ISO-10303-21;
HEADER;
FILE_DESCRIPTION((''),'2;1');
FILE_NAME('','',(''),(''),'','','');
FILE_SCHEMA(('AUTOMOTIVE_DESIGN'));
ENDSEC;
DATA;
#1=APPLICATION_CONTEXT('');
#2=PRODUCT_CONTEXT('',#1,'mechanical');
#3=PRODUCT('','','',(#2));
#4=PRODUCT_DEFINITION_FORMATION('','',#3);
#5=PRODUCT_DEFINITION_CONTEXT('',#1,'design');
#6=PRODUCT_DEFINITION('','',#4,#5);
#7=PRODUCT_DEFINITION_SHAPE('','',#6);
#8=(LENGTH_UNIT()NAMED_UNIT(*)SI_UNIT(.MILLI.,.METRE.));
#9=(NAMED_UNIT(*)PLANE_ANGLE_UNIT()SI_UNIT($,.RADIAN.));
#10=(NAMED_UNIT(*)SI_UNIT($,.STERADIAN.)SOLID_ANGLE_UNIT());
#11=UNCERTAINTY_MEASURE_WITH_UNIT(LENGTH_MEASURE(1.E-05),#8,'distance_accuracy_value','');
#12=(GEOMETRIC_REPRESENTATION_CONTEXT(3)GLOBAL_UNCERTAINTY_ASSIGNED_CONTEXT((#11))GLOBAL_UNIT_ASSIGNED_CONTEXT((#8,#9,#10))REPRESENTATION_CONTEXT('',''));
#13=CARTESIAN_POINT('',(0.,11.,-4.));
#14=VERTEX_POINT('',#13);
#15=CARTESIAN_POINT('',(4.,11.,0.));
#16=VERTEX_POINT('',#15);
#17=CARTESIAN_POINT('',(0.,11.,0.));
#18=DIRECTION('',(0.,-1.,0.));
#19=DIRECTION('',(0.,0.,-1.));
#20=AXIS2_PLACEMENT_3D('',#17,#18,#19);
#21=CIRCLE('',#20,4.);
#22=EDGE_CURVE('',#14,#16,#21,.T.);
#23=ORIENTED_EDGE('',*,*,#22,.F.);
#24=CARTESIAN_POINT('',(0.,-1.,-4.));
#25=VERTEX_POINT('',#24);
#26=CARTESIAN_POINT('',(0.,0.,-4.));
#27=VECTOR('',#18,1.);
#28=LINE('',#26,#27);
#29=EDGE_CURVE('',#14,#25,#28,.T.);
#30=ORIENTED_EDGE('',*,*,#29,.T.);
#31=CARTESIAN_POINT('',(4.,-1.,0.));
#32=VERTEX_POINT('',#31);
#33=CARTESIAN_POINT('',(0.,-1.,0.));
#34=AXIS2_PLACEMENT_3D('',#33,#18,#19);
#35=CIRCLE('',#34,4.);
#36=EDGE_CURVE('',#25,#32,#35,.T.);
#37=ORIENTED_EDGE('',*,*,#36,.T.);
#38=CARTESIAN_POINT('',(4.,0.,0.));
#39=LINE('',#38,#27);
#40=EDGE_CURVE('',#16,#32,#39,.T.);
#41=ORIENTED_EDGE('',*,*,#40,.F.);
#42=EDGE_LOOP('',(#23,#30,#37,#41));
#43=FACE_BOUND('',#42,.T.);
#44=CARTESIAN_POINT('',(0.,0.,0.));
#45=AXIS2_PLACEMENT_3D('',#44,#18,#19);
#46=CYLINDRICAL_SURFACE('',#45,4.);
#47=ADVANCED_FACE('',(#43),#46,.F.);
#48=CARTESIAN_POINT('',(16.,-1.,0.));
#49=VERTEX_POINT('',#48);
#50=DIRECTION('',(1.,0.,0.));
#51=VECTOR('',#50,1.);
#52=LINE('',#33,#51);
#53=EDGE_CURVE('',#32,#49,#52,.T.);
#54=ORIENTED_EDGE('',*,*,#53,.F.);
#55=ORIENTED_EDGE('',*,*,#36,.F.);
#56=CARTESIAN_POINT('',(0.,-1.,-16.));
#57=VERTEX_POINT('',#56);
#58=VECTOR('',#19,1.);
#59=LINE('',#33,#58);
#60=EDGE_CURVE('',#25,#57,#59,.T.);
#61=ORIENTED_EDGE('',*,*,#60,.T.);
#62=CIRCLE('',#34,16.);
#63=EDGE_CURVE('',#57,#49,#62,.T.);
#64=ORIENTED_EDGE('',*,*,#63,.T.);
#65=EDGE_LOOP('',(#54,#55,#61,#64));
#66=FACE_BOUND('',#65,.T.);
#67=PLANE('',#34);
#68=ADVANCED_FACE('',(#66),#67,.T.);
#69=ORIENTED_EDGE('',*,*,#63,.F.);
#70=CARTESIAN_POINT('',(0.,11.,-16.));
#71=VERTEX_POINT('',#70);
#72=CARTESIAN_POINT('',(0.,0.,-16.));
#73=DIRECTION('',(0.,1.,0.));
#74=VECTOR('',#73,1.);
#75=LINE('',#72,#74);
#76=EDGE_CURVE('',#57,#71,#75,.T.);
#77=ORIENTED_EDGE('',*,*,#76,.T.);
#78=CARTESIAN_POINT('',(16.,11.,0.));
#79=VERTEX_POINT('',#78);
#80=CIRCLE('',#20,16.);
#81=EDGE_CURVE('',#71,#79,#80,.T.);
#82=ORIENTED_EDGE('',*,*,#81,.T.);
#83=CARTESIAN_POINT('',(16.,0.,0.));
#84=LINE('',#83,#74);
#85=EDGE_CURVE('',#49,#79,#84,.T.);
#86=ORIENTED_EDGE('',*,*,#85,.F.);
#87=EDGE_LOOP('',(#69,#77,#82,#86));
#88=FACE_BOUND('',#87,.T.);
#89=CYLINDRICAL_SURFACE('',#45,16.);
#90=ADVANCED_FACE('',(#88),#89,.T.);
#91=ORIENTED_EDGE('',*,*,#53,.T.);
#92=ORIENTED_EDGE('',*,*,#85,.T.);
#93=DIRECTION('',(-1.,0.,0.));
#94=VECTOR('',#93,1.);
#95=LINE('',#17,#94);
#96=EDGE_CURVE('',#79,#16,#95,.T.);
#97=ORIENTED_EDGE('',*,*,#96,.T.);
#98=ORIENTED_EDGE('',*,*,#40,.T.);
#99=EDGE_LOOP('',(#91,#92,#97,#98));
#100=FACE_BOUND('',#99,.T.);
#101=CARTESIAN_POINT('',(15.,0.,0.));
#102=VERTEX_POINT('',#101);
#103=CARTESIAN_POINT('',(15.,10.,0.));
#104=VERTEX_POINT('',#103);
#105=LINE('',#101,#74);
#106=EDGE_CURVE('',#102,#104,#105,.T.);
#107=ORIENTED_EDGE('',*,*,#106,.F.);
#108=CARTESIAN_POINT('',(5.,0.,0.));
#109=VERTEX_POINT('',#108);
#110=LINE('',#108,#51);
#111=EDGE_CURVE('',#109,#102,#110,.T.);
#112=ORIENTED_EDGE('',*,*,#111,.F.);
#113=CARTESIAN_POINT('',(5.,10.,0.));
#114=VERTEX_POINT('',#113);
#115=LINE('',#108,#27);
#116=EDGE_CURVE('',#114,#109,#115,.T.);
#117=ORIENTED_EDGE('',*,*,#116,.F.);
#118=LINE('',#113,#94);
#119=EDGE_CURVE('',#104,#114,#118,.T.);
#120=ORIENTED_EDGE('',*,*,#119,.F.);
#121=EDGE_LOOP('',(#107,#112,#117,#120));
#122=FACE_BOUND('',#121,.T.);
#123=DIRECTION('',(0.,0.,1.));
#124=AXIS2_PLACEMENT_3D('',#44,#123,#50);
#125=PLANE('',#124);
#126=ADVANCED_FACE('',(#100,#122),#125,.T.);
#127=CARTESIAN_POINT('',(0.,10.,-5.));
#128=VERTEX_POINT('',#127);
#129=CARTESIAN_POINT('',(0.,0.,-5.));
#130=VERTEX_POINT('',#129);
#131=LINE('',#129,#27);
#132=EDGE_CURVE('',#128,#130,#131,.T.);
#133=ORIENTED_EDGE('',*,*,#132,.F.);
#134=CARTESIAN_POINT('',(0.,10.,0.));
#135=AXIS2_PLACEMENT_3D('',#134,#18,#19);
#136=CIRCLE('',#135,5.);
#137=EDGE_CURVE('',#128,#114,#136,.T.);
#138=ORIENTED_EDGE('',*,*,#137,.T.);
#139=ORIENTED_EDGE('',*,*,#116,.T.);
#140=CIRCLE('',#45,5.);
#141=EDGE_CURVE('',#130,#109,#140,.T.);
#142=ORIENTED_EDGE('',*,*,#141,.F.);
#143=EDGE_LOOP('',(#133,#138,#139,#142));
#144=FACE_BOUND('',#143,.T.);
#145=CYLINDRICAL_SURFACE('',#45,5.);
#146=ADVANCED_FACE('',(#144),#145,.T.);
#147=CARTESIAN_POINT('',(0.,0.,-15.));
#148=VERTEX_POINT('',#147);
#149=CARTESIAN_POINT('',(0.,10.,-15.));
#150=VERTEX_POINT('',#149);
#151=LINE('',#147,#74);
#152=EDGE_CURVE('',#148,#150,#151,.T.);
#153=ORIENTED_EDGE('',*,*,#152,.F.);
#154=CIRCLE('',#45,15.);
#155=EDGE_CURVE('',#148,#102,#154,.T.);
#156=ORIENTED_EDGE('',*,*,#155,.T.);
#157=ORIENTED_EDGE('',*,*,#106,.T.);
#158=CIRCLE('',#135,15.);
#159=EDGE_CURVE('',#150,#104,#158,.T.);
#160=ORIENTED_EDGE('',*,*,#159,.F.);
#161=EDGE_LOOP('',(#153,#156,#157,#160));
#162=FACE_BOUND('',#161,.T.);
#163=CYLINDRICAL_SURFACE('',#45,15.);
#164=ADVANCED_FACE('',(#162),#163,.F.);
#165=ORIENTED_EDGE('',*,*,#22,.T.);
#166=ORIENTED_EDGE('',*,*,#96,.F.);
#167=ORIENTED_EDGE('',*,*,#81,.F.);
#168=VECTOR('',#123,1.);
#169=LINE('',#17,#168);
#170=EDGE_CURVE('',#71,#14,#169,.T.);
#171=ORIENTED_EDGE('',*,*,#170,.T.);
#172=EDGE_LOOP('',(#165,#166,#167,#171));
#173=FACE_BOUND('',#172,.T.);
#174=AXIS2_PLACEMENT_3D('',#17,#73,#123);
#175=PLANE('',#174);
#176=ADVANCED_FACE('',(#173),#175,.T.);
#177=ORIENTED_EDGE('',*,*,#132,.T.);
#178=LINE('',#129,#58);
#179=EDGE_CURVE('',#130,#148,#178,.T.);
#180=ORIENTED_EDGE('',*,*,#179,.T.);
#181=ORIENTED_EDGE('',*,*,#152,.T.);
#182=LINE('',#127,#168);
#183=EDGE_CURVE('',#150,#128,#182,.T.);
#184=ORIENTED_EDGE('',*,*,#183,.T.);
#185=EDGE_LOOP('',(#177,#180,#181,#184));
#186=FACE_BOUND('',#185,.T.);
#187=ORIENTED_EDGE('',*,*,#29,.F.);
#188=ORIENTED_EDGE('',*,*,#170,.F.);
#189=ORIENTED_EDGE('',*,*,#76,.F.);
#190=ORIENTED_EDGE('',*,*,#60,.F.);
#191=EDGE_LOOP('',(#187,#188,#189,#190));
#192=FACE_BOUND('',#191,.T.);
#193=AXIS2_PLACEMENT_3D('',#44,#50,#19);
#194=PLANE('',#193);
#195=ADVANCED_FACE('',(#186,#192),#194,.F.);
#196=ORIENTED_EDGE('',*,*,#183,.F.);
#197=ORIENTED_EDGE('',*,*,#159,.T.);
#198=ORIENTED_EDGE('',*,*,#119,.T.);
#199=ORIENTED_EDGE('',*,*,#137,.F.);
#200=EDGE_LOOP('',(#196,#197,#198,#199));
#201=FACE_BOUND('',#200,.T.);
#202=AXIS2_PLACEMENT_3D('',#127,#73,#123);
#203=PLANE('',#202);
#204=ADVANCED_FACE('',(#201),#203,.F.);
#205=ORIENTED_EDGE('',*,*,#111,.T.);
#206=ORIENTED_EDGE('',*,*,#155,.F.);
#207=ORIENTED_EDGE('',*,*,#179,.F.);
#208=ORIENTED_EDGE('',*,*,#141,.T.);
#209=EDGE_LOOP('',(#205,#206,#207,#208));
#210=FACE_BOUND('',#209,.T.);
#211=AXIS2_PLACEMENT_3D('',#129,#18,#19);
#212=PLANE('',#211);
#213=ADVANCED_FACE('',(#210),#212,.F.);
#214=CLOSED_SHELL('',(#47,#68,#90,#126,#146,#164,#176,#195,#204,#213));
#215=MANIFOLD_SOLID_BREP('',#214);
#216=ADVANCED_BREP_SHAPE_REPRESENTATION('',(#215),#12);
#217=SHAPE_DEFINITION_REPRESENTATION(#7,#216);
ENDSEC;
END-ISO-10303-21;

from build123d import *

# Parameters (mm, degrees)
SKETCH_1_W          = 12
SKETCH_1_H          = 12
SKETCH_1_W_2        = 10
SKETCH_1_H_2        = 10
THINREVOLVE90_ANGLE = 90


with BuildPart() as part:
    # 草图1 → ThinRevolve90 (revolve)
    with BuildSketch(Plane.XY):
        with Locations((10, 5)):
            Rectangle(SKETCH_1_W, SKETCH_1_H)
        with Locations((10, 5)):
            Rectangle(SKETCH_1_W_2, SKETCH_1_H_2, mode=Mode.SUBTRACT)
    revolve(axis=Axis((0, 0, 0), (0, 1, 0)), revolution_arc=THINREVOLVE90_ANGLE)


solid = part.part
